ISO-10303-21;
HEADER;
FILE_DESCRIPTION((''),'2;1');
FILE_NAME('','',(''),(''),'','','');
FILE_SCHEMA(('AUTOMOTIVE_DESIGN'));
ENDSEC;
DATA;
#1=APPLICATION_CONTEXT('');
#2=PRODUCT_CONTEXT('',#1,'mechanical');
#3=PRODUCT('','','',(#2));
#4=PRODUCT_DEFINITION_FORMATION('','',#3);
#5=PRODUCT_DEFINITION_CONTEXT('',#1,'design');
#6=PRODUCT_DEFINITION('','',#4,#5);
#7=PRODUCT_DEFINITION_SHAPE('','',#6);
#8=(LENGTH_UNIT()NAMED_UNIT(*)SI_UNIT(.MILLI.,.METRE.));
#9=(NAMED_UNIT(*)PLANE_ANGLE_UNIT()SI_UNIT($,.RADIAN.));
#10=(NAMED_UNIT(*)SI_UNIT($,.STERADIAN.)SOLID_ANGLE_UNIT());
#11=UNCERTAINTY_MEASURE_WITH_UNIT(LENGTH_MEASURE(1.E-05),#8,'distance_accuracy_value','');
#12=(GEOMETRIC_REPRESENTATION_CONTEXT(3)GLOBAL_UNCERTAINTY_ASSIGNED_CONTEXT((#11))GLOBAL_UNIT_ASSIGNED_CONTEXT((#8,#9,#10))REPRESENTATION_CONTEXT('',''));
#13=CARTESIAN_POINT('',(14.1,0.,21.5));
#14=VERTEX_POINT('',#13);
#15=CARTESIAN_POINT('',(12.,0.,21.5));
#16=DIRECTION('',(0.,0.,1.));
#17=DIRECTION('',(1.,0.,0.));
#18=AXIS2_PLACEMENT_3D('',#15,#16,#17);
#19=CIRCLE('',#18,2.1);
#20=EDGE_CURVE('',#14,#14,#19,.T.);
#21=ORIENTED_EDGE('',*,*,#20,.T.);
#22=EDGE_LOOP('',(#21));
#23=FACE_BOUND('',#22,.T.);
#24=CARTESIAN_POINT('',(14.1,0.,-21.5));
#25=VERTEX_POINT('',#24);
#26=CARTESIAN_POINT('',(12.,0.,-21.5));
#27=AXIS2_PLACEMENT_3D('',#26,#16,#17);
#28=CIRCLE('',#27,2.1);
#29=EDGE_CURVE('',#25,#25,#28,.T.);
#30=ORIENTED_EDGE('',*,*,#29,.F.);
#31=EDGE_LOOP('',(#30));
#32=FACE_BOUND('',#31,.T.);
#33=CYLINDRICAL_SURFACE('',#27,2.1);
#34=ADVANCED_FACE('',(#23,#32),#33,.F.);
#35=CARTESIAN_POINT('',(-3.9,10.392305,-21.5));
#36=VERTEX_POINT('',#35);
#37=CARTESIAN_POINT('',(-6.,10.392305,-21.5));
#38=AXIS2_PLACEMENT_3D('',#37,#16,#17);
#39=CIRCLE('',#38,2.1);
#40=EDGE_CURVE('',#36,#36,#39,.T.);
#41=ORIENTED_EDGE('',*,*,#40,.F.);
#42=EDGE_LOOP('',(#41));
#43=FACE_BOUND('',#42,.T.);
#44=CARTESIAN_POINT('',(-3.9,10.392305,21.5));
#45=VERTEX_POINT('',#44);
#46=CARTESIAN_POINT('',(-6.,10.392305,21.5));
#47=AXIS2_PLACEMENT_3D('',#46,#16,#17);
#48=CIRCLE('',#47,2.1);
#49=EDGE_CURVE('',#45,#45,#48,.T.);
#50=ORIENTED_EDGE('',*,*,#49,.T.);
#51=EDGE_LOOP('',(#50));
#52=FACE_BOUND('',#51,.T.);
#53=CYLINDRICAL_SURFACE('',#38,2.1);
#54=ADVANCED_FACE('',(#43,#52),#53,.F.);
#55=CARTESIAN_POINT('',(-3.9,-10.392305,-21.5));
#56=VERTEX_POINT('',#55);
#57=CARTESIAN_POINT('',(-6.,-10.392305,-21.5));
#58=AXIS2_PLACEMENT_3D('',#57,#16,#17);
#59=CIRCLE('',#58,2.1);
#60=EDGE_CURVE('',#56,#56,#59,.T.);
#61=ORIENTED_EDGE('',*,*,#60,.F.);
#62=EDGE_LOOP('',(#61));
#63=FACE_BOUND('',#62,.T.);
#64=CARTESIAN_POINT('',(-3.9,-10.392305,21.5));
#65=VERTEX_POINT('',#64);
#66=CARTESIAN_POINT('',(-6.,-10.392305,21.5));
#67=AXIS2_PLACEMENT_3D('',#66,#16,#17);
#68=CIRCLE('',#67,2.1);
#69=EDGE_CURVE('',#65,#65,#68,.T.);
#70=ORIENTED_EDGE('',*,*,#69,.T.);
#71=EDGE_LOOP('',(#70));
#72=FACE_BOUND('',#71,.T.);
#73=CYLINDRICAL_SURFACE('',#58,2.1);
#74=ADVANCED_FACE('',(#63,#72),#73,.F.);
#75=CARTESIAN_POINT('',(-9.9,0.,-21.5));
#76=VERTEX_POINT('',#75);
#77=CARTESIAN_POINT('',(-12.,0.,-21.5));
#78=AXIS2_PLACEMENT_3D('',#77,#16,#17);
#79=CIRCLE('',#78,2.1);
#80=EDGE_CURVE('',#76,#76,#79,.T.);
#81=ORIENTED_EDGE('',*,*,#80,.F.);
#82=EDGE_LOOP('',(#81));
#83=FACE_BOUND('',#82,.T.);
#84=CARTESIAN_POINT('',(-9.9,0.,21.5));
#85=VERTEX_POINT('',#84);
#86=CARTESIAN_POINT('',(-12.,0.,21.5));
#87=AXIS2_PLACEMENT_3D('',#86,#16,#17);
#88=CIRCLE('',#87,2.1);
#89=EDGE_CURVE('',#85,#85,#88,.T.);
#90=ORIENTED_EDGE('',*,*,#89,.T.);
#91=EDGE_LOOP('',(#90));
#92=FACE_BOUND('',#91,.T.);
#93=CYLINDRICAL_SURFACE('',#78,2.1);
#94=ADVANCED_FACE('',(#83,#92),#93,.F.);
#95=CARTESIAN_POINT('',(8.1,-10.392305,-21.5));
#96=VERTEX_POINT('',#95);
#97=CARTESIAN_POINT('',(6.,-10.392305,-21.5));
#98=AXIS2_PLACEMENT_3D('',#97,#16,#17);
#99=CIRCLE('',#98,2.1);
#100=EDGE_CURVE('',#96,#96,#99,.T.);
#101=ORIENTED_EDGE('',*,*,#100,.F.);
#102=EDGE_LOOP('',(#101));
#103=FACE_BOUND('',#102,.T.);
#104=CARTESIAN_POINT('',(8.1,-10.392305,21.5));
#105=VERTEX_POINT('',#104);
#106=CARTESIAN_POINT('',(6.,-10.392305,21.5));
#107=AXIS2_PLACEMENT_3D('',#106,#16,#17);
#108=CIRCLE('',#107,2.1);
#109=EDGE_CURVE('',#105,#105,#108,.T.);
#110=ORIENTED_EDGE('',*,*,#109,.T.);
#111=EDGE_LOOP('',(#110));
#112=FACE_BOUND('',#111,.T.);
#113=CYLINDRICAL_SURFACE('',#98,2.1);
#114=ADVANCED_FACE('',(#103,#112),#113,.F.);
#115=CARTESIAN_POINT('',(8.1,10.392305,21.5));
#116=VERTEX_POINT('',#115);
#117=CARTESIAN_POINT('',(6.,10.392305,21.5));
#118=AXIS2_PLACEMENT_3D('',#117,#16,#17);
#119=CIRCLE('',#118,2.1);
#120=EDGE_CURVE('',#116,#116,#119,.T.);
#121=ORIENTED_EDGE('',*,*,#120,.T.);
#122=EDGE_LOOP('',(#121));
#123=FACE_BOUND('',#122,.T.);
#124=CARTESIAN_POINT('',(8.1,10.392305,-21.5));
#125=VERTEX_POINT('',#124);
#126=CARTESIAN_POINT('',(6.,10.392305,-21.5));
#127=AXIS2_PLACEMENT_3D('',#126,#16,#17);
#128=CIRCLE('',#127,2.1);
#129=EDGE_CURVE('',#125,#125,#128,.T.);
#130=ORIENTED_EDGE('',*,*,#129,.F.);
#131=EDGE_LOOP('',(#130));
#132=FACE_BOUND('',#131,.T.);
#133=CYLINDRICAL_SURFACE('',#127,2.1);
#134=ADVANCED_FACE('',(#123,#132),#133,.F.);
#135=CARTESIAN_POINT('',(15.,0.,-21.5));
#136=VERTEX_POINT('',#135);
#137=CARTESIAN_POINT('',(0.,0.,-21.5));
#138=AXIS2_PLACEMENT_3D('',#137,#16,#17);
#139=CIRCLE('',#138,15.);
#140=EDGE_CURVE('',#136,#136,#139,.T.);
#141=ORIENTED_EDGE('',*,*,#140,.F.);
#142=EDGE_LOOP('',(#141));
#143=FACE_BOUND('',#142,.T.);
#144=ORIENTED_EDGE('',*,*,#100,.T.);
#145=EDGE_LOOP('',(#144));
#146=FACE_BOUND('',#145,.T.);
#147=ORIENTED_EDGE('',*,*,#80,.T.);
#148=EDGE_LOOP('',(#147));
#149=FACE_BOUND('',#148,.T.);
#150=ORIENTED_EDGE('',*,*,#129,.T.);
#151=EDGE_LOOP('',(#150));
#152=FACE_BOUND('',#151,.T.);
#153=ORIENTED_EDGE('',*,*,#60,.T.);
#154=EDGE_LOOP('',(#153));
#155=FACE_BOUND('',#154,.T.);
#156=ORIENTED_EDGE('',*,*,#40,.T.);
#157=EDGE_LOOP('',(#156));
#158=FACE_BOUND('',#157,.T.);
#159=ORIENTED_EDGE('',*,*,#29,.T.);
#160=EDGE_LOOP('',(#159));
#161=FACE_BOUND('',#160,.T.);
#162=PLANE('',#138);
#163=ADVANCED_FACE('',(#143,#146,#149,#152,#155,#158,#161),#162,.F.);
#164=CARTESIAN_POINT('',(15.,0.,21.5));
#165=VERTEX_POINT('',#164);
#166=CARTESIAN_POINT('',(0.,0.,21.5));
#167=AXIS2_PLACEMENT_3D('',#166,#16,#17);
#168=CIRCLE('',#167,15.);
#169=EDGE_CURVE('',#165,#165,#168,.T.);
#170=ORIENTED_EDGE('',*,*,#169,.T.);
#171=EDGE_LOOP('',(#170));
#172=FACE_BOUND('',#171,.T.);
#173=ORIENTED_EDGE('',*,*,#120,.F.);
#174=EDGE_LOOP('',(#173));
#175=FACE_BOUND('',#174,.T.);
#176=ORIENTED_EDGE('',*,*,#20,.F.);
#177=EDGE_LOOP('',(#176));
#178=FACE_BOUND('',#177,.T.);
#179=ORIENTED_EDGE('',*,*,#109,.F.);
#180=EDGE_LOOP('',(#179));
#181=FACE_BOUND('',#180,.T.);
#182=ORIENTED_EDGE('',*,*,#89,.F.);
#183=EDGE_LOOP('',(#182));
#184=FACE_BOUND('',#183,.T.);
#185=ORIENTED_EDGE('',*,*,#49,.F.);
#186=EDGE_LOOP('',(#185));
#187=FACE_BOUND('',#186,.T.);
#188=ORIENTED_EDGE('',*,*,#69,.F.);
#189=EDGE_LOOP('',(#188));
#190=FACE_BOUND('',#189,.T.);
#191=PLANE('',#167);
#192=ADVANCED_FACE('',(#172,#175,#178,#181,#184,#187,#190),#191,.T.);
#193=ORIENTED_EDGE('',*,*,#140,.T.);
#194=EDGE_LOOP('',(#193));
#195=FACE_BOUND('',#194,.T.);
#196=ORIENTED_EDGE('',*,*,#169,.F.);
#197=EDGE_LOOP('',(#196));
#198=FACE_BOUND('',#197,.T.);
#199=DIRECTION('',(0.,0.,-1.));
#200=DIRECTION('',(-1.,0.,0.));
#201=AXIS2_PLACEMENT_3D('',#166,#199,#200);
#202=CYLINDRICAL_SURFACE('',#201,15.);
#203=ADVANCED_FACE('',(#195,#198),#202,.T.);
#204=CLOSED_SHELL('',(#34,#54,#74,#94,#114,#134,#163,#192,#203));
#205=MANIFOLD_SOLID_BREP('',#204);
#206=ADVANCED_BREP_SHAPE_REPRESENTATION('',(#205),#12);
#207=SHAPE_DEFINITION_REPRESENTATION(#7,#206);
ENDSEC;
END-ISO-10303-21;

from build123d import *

# Parameters (mm, degrees)
SKETCH1_R           = 15
BOSS_EXTRUDE1_DEPTH = 21.5
SKETCH2_R           = 2.1
CUT_EXTRUDE1_DEPTH  = 48.947888379


with BuildPart() as part:
    # Sketch1 → Boss-Extrude1 (new, symmetric)
    with BuildSketch(Plane.XY):
        Circle(SKETCH1_R)
    extrude(amount=BOSS_EXTRUDE1_DEPTH, both=True)

    # Sketch2 → Cut-Extrude1 (cut, through all)
    with BuildSketch(Plane.XY.offset(21.5)):
        with Locations((-12, 0)):
            Circle(SKETCH2_R)
        with Locations((-6, 10.392304845)):
            Circle(SKETCH2_R)
        with Locations((6, 10.392304845)):
            Circle(SKETCH2_R)
        with Locations((12, 0)):
            Circle(SKETCH2_R)
        with Locations((6, -10.392304845)):
            Circle(SKETCH2_R)
        with Locations((-6, -10.392304845)):
            Circle(SKETCH2_R)
    extrude(amount=-CUT_EXTRUDE1_DEPTH, mode=Mode.SUBTRACT)


solid = part.part
